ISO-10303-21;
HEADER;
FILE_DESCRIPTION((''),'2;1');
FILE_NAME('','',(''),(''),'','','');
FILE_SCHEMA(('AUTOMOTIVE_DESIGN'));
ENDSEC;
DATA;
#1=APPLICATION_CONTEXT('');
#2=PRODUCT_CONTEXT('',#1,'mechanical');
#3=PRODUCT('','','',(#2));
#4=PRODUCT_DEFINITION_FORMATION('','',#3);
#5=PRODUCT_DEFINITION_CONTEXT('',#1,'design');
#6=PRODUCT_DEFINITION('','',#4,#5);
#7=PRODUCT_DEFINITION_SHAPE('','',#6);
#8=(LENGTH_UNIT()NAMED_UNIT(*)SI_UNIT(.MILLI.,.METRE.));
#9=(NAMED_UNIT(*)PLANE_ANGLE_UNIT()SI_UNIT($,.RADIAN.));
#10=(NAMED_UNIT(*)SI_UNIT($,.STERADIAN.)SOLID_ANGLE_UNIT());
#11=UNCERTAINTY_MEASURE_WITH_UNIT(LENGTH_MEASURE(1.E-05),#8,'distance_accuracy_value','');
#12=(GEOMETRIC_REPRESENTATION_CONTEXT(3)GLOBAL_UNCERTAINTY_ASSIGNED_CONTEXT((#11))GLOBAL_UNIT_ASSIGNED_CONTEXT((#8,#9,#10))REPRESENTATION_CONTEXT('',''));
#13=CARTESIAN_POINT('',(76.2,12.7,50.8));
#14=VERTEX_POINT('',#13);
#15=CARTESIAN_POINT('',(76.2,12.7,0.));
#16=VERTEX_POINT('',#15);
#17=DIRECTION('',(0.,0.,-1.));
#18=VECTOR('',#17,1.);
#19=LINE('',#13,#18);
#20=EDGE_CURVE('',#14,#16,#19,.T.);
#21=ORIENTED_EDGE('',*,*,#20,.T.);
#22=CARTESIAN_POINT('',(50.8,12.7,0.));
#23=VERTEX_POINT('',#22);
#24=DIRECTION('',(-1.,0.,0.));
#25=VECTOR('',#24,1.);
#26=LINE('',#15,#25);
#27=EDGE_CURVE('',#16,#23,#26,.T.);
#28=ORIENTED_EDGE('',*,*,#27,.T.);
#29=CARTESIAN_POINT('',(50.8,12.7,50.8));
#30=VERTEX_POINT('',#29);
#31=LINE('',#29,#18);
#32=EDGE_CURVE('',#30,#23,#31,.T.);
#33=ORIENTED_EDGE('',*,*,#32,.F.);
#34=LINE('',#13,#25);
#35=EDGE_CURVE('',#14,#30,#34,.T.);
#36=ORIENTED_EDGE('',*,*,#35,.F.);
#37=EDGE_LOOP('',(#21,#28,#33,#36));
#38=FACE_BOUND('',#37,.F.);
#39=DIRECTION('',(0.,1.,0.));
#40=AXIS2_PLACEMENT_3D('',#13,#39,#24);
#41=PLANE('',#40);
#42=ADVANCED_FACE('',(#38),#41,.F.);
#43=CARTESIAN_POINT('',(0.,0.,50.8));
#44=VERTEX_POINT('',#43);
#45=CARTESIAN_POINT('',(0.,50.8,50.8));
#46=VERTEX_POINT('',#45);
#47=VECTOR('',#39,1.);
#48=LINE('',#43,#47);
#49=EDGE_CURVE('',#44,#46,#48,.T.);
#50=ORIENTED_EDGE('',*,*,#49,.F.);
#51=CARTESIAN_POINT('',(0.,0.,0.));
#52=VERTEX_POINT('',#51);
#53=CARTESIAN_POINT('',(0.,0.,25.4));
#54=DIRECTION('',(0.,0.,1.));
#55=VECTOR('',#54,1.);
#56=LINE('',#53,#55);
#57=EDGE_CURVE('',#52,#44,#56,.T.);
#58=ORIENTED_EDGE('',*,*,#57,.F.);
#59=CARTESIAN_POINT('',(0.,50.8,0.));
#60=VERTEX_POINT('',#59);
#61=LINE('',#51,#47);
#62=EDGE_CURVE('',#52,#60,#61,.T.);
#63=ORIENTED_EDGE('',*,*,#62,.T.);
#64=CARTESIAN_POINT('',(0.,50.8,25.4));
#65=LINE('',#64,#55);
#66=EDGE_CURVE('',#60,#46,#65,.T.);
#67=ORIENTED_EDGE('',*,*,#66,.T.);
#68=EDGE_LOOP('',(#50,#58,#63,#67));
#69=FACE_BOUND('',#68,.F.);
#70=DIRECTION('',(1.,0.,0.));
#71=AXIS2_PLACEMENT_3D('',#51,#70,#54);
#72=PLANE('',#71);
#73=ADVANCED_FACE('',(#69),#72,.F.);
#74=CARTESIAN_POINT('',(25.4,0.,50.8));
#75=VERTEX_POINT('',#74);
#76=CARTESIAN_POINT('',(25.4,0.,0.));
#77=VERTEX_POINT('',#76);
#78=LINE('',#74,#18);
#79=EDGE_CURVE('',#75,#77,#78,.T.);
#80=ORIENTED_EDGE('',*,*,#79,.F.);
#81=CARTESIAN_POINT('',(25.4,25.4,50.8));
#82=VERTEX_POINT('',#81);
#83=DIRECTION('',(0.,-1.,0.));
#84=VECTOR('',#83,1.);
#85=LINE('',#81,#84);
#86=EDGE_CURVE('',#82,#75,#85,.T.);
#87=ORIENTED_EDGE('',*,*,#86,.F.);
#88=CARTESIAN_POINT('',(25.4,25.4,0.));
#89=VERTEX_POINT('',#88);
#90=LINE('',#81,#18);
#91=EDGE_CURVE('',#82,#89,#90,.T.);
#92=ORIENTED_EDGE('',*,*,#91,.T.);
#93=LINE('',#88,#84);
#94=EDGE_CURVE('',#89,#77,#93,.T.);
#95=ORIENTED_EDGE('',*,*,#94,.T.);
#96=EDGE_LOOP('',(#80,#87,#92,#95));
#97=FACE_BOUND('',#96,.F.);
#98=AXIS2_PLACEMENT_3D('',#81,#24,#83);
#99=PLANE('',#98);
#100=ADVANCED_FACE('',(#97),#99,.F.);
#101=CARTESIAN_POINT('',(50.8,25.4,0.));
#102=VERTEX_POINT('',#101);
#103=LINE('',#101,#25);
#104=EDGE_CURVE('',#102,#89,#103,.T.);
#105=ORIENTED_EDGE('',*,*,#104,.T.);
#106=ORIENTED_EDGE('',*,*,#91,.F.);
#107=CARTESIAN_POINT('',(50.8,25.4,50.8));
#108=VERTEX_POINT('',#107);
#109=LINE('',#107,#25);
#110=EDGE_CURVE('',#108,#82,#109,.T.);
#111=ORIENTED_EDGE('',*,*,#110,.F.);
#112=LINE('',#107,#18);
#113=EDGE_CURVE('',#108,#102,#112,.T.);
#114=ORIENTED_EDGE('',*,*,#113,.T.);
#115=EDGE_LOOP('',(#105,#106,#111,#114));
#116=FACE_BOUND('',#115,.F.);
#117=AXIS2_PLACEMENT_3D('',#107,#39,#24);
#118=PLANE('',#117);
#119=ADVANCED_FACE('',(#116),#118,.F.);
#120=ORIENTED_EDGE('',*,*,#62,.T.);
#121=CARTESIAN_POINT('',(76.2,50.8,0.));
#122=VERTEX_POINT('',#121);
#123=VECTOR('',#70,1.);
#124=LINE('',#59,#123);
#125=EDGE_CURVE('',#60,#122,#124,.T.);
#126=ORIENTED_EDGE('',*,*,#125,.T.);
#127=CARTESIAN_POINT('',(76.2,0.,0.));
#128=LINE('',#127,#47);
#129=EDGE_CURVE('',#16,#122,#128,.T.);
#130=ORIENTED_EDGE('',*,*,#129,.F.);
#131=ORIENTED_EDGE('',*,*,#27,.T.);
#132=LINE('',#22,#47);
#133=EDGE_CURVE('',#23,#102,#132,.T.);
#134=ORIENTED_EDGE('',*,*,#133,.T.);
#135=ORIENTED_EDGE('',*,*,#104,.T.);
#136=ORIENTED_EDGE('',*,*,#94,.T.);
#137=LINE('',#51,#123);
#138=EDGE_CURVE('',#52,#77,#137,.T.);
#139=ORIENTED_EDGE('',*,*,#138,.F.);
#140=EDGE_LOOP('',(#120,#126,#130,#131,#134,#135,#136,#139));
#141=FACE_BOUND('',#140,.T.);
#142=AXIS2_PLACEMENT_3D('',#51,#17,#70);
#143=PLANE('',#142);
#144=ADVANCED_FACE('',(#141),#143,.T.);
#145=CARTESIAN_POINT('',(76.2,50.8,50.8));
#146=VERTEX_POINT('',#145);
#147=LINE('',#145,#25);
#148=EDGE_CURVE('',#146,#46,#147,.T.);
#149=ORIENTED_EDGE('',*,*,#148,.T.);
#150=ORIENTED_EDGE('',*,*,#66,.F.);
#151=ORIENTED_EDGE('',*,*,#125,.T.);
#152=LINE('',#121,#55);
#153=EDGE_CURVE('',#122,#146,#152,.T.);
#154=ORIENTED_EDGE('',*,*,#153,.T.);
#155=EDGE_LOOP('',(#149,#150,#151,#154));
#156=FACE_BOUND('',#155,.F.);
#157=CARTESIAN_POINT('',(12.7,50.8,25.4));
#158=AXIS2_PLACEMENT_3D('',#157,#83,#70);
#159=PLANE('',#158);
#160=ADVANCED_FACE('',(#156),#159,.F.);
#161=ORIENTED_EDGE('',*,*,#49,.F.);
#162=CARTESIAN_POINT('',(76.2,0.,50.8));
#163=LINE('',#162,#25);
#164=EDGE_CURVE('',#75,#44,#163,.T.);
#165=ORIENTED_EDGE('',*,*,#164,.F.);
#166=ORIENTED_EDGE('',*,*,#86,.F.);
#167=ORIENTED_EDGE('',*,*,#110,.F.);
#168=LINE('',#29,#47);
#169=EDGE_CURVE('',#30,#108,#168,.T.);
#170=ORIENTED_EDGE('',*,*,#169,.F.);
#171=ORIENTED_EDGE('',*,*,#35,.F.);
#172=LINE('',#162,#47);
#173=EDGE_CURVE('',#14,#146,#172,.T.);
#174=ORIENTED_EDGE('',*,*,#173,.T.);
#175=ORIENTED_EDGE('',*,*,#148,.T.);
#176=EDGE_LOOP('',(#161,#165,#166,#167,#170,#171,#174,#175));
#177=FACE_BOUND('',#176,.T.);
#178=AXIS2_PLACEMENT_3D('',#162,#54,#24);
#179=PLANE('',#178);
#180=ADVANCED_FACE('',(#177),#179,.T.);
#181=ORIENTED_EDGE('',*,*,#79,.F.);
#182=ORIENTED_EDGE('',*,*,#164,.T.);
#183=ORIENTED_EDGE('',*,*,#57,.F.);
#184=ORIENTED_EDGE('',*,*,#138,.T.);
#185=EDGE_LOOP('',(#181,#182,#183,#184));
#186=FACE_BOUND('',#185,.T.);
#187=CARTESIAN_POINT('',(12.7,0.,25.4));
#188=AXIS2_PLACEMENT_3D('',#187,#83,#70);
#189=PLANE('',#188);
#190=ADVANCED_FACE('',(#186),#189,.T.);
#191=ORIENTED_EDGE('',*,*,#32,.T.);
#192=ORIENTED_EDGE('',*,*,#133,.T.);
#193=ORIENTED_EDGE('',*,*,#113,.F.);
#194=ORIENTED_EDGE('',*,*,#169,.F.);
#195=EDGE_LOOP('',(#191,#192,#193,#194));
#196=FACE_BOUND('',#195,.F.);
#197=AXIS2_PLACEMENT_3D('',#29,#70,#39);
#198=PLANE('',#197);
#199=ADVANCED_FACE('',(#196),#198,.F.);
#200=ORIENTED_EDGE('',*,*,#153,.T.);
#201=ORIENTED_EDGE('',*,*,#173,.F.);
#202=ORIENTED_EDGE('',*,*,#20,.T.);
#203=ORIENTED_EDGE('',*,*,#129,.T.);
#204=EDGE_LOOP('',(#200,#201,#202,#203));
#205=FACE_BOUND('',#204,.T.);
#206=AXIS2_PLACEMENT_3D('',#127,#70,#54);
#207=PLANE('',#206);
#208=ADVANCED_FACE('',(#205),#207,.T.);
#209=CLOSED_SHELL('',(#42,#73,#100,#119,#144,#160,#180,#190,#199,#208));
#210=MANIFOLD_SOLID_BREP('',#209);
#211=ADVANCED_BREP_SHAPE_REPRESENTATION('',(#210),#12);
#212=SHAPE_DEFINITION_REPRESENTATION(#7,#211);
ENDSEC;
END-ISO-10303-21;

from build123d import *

# Parameters (mm, degrees)
F0_W     = 25.4
F0_H     = 50.8
F0_H_2   = 20.5127365448
F1_DEPTH = 50.8
F3_DEPTH = 50.8


with BuildPart() as f1:
    # F0 (on Front) → F1 (new body)
    with BuildSketch(Plane.XZ):
        with Locations((12.7, 25.4)):
            Rectangle(F0_W, F0_H)
        Polygon((25.4, 50.8), (25.4, 0), (50.8, 0), (50.8, 20.5127365448), (76.2, 20.5127365448), (76.2, 50.8), align=None)
        with Locations((63.5, 10.2563682724)):
            Rectangle(F0_W, F0_H_2)
    extrude(amount=-F1_DEPTH)

    # F2 (on face) → F3 (cut)
    with BuildSketch(Plane.XY.offset(50.8)):
        Polygon((25.4, 25.4), (25.4, 0), (76.2, 0), (76.2, 12.7), (50.8, 12.7), (50.8, 25.4), align=None)
    extrude(amount=-F3_DEPTH, mode=Mode.SUBTRACT)


solid = f1.part
